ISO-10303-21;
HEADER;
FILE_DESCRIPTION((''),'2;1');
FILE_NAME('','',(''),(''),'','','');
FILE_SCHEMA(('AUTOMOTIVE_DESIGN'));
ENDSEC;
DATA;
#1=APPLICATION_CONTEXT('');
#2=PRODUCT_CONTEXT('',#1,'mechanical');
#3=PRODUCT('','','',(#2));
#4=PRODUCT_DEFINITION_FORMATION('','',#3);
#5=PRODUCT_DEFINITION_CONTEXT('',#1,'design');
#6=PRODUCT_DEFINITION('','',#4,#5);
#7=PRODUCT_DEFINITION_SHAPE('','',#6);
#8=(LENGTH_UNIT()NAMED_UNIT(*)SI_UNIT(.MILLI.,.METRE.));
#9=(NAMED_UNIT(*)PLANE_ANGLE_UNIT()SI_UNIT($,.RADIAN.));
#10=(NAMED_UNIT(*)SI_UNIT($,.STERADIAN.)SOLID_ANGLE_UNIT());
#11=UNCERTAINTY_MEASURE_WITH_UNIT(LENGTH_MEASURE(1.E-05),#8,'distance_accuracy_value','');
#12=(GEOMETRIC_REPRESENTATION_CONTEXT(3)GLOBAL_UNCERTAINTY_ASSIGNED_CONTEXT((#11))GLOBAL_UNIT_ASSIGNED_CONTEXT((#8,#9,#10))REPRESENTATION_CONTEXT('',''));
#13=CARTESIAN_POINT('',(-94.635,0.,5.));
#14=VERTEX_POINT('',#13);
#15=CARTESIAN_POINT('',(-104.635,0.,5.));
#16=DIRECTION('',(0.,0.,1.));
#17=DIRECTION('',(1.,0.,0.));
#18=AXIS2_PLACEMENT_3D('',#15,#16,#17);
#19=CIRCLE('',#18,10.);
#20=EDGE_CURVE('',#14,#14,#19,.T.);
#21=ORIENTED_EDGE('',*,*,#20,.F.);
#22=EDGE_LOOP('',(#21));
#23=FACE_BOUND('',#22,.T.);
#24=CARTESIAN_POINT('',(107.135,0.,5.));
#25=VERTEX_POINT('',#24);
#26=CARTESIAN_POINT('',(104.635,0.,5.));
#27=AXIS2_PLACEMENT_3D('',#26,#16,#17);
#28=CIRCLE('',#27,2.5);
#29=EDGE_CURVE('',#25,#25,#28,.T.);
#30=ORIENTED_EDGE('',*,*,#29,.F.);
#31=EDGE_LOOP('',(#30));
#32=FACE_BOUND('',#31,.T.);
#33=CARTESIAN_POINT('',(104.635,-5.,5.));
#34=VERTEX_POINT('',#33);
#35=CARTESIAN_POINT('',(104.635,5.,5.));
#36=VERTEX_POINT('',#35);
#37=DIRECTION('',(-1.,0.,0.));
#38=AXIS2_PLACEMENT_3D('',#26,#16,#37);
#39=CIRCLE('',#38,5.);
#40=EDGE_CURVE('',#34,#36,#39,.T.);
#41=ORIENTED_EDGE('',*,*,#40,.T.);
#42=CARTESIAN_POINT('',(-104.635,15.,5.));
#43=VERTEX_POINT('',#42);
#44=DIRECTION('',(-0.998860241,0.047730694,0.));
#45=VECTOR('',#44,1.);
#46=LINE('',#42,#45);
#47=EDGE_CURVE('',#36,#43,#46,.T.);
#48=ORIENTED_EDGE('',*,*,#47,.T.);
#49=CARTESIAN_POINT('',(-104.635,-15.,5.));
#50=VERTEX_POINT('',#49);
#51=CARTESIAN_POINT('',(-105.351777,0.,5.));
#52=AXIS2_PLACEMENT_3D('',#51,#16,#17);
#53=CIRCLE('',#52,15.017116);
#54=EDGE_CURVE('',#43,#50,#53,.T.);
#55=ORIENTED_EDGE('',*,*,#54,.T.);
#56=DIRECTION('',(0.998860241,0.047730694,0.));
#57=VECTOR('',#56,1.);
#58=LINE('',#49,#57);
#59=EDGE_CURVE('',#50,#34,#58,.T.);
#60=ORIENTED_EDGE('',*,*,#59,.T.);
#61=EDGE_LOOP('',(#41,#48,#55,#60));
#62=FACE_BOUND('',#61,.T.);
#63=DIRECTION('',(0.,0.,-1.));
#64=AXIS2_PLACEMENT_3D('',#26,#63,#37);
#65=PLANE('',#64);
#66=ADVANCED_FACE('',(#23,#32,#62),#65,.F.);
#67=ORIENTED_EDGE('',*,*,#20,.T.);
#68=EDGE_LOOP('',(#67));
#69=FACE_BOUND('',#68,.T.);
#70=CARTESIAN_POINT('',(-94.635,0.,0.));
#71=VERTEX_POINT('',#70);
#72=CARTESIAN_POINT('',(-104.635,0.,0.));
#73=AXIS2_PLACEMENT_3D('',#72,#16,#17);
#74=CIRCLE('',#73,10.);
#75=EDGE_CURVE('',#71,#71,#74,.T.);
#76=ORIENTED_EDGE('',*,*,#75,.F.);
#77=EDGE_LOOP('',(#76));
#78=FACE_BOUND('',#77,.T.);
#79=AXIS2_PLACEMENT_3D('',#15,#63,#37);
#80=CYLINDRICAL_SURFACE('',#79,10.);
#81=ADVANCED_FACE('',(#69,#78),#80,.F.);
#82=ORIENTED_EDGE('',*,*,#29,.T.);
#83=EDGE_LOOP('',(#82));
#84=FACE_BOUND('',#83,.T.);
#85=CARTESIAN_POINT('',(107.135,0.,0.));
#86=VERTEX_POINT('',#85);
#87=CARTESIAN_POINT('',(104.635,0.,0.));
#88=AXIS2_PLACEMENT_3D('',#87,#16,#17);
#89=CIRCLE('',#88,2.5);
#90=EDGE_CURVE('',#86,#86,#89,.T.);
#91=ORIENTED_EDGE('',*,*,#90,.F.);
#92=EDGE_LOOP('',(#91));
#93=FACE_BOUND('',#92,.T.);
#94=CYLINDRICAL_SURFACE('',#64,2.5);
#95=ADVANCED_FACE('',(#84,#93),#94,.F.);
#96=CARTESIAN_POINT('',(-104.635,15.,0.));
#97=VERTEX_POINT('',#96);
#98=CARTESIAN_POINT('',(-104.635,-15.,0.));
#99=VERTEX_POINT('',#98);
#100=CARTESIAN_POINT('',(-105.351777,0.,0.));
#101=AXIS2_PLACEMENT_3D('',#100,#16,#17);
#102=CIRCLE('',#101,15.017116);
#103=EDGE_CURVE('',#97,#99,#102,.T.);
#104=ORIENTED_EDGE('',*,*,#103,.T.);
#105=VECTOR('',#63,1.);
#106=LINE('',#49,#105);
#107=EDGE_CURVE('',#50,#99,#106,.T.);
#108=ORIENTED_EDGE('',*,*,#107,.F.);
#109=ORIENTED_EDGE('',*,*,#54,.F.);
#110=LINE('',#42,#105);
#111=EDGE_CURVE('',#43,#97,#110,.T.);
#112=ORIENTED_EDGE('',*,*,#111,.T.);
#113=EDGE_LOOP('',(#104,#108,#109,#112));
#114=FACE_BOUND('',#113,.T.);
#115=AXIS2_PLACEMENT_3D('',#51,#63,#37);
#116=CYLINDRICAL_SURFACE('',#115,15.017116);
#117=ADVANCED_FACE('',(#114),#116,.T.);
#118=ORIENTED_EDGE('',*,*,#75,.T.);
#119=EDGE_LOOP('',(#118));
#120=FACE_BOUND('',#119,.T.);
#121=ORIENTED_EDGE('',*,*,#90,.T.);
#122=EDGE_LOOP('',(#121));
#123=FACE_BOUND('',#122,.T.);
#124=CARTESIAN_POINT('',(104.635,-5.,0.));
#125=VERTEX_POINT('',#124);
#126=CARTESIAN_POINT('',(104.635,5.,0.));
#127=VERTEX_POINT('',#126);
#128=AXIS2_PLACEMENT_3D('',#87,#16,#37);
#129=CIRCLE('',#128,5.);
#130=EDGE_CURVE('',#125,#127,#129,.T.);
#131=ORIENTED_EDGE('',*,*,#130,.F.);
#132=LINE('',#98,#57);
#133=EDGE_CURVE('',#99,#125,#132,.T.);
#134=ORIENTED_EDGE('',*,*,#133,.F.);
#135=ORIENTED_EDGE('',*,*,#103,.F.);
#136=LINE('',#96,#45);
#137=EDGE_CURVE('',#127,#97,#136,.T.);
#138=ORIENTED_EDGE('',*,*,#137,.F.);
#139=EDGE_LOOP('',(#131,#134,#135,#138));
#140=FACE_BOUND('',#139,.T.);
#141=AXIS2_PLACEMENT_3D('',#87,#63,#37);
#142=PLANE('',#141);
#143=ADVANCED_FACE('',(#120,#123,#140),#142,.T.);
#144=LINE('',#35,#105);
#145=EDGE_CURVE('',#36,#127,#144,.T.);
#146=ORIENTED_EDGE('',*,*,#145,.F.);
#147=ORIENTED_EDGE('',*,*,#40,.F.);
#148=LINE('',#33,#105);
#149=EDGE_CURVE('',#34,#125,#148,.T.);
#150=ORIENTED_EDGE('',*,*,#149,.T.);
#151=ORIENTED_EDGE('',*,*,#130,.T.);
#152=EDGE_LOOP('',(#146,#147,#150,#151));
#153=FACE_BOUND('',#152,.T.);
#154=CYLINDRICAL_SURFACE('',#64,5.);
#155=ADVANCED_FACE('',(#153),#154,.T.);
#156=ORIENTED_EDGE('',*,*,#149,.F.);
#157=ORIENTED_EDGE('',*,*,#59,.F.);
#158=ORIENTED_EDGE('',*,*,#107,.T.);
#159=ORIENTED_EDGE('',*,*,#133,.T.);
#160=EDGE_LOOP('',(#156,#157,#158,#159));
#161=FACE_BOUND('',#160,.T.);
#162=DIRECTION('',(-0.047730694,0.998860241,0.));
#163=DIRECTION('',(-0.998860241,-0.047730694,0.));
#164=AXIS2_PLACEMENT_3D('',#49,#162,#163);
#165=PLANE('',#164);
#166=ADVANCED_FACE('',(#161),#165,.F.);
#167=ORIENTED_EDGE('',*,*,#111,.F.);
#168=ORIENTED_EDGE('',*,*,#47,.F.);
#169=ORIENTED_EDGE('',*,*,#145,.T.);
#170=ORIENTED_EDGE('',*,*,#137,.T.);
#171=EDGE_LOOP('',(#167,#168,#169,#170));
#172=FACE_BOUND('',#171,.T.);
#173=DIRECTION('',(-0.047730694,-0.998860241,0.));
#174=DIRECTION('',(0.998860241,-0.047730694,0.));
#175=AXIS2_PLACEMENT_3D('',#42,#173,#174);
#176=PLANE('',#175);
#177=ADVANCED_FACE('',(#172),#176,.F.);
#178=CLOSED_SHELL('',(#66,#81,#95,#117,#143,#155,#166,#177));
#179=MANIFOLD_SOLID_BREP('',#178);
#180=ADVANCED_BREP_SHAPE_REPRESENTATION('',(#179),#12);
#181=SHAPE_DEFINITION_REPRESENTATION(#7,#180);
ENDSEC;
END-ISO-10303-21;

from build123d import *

# Parameters (mm, degrees)
ESBO_O1_R                = 10
ESBO_O1_R_2              = 2.5
RESSALTO_EXTRUS_O1_DEPTH = 5


with BuildPart() as part:
    # Esboço1 → Ressalto-extrusão1 (new body)
    with BuildSketch(Plane.XY):
        with BuildLine():
            Line((-104.635, -15), (104.635, -5))
            ThreePointArc((104.635, -5), (109.635, 0), (104.635, 5))
            Line((104.635, 5), (-104.635, 15))
            ThreePointArc((-104.635, 15), (-120.368893264, 0), (-104.635, -15))
        make_face()
        with Locations((-104.635, 0)):
            Circle(ESBO_O1_R, mode=Mode.SUBTRACT)
        with Locations((104.635, 0)):
            Circle(ESBO_O1_R_2, mode=Mode.SUBTRACT)
    extrude(amount=RESSALTO_EXTRUS_O1_DEPTH)


solid = part.part
